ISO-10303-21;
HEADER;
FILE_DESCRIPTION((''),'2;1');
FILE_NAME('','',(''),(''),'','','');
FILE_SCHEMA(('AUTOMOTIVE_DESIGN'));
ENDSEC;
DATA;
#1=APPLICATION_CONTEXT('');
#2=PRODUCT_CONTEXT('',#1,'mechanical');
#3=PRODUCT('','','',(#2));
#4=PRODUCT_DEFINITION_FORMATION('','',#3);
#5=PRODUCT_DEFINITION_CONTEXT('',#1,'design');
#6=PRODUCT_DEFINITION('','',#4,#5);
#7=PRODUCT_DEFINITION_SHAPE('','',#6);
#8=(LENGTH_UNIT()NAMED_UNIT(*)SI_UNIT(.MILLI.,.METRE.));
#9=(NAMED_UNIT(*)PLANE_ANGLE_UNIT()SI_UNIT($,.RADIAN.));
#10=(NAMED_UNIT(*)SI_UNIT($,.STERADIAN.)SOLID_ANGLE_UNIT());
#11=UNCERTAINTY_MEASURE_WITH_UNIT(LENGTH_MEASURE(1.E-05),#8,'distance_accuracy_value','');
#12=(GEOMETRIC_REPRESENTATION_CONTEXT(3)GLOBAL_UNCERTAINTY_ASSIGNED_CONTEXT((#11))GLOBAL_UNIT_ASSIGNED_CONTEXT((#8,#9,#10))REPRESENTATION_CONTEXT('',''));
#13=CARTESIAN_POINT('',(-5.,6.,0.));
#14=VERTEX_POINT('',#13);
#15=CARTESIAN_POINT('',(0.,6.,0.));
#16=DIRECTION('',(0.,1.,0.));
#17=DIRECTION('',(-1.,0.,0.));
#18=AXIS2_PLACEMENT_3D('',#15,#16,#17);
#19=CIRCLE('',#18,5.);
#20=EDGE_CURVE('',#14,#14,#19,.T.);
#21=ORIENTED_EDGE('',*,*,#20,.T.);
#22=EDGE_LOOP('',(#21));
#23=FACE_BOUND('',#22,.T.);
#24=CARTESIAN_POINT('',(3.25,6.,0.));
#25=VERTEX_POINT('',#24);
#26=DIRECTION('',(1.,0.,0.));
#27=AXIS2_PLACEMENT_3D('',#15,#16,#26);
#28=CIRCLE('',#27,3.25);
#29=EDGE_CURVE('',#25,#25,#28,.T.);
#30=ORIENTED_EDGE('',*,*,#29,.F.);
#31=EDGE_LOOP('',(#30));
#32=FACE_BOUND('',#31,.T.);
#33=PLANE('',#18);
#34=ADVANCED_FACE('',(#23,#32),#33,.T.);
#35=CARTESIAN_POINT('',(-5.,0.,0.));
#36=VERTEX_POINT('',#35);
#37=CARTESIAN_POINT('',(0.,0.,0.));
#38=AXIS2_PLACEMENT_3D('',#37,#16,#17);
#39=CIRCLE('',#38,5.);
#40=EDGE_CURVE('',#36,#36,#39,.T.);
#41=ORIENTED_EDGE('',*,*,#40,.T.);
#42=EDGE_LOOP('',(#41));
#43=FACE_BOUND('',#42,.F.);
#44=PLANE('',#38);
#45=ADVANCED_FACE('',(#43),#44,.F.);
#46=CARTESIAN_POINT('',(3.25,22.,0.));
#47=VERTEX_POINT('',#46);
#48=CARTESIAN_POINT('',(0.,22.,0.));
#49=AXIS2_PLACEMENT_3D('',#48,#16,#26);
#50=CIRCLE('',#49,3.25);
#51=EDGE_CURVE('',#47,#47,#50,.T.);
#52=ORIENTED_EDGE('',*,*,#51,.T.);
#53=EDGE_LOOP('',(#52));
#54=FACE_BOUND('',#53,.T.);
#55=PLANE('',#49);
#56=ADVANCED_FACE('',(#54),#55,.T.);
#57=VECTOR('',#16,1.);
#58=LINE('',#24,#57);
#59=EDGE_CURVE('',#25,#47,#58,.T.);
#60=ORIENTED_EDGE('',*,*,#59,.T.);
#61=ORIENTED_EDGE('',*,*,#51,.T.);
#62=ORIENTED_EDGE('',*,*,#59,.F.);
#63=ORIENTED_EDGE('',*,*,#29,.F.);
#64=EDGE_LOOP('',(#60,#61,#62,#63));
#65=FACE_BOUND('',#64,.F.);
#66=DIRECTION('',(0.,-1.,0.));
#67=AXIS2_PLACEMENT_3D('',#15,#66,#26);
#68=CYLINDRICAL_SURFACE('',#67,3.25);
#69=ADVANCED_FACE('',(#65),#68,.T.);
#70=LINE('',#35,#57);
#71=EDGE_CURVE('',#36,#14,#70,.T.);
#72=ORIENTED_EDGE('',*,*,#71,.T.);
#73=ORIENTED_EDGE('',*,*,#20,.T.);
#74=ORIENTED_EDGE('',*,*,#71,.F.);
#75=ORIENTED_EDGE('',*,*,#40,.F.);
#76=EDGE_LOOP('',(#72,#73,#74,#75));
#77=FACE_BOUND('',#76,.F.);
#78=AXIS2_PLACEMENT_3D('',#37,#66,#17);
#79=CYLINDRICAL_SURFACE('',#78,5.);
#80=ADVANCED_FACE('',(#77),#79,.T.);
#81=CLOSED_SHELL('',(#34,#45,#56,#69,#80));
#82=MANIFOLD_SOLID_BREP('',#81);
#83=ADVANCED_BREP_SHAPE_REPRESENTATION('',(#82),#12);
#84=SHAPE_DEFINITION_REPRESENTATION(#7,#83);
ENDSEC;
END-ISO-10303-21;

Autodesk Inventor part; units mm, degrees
ref_plane "YZ Plane" through (0, 0, 0) normal (1, 0, 0) x (0, 1, 0)
ref_plane "XZ Plane" through (0, 0, 0) normal (0, 1, 0) x (-1, 0, 0)
ref_plane "XY Plane" through (0, 0, 0) normal (0, 0, 1) x (1, 0, 0)
sketch "Sketch1" plane through (0, 0, 0) normal (0, 1, 0) x (-1, 0, 0)
  circle A0 centre (0, 0) radius 5
  dimension "d0" = 10
extrude "Extrusion1" add sketch "Sketch1" along normal blind 6
sketch "Sketch2" plane through (0, 6, 0) normal (0, 1, 0) x (1, 0, 0)
  circle A0 centre (0, 0) radius 3.25
  dimension "d3" = 6.5
extrude "Extrusion2" add sketch "Sketch2" along normal blind 16
properties part number "M6CapScrew16mm"
